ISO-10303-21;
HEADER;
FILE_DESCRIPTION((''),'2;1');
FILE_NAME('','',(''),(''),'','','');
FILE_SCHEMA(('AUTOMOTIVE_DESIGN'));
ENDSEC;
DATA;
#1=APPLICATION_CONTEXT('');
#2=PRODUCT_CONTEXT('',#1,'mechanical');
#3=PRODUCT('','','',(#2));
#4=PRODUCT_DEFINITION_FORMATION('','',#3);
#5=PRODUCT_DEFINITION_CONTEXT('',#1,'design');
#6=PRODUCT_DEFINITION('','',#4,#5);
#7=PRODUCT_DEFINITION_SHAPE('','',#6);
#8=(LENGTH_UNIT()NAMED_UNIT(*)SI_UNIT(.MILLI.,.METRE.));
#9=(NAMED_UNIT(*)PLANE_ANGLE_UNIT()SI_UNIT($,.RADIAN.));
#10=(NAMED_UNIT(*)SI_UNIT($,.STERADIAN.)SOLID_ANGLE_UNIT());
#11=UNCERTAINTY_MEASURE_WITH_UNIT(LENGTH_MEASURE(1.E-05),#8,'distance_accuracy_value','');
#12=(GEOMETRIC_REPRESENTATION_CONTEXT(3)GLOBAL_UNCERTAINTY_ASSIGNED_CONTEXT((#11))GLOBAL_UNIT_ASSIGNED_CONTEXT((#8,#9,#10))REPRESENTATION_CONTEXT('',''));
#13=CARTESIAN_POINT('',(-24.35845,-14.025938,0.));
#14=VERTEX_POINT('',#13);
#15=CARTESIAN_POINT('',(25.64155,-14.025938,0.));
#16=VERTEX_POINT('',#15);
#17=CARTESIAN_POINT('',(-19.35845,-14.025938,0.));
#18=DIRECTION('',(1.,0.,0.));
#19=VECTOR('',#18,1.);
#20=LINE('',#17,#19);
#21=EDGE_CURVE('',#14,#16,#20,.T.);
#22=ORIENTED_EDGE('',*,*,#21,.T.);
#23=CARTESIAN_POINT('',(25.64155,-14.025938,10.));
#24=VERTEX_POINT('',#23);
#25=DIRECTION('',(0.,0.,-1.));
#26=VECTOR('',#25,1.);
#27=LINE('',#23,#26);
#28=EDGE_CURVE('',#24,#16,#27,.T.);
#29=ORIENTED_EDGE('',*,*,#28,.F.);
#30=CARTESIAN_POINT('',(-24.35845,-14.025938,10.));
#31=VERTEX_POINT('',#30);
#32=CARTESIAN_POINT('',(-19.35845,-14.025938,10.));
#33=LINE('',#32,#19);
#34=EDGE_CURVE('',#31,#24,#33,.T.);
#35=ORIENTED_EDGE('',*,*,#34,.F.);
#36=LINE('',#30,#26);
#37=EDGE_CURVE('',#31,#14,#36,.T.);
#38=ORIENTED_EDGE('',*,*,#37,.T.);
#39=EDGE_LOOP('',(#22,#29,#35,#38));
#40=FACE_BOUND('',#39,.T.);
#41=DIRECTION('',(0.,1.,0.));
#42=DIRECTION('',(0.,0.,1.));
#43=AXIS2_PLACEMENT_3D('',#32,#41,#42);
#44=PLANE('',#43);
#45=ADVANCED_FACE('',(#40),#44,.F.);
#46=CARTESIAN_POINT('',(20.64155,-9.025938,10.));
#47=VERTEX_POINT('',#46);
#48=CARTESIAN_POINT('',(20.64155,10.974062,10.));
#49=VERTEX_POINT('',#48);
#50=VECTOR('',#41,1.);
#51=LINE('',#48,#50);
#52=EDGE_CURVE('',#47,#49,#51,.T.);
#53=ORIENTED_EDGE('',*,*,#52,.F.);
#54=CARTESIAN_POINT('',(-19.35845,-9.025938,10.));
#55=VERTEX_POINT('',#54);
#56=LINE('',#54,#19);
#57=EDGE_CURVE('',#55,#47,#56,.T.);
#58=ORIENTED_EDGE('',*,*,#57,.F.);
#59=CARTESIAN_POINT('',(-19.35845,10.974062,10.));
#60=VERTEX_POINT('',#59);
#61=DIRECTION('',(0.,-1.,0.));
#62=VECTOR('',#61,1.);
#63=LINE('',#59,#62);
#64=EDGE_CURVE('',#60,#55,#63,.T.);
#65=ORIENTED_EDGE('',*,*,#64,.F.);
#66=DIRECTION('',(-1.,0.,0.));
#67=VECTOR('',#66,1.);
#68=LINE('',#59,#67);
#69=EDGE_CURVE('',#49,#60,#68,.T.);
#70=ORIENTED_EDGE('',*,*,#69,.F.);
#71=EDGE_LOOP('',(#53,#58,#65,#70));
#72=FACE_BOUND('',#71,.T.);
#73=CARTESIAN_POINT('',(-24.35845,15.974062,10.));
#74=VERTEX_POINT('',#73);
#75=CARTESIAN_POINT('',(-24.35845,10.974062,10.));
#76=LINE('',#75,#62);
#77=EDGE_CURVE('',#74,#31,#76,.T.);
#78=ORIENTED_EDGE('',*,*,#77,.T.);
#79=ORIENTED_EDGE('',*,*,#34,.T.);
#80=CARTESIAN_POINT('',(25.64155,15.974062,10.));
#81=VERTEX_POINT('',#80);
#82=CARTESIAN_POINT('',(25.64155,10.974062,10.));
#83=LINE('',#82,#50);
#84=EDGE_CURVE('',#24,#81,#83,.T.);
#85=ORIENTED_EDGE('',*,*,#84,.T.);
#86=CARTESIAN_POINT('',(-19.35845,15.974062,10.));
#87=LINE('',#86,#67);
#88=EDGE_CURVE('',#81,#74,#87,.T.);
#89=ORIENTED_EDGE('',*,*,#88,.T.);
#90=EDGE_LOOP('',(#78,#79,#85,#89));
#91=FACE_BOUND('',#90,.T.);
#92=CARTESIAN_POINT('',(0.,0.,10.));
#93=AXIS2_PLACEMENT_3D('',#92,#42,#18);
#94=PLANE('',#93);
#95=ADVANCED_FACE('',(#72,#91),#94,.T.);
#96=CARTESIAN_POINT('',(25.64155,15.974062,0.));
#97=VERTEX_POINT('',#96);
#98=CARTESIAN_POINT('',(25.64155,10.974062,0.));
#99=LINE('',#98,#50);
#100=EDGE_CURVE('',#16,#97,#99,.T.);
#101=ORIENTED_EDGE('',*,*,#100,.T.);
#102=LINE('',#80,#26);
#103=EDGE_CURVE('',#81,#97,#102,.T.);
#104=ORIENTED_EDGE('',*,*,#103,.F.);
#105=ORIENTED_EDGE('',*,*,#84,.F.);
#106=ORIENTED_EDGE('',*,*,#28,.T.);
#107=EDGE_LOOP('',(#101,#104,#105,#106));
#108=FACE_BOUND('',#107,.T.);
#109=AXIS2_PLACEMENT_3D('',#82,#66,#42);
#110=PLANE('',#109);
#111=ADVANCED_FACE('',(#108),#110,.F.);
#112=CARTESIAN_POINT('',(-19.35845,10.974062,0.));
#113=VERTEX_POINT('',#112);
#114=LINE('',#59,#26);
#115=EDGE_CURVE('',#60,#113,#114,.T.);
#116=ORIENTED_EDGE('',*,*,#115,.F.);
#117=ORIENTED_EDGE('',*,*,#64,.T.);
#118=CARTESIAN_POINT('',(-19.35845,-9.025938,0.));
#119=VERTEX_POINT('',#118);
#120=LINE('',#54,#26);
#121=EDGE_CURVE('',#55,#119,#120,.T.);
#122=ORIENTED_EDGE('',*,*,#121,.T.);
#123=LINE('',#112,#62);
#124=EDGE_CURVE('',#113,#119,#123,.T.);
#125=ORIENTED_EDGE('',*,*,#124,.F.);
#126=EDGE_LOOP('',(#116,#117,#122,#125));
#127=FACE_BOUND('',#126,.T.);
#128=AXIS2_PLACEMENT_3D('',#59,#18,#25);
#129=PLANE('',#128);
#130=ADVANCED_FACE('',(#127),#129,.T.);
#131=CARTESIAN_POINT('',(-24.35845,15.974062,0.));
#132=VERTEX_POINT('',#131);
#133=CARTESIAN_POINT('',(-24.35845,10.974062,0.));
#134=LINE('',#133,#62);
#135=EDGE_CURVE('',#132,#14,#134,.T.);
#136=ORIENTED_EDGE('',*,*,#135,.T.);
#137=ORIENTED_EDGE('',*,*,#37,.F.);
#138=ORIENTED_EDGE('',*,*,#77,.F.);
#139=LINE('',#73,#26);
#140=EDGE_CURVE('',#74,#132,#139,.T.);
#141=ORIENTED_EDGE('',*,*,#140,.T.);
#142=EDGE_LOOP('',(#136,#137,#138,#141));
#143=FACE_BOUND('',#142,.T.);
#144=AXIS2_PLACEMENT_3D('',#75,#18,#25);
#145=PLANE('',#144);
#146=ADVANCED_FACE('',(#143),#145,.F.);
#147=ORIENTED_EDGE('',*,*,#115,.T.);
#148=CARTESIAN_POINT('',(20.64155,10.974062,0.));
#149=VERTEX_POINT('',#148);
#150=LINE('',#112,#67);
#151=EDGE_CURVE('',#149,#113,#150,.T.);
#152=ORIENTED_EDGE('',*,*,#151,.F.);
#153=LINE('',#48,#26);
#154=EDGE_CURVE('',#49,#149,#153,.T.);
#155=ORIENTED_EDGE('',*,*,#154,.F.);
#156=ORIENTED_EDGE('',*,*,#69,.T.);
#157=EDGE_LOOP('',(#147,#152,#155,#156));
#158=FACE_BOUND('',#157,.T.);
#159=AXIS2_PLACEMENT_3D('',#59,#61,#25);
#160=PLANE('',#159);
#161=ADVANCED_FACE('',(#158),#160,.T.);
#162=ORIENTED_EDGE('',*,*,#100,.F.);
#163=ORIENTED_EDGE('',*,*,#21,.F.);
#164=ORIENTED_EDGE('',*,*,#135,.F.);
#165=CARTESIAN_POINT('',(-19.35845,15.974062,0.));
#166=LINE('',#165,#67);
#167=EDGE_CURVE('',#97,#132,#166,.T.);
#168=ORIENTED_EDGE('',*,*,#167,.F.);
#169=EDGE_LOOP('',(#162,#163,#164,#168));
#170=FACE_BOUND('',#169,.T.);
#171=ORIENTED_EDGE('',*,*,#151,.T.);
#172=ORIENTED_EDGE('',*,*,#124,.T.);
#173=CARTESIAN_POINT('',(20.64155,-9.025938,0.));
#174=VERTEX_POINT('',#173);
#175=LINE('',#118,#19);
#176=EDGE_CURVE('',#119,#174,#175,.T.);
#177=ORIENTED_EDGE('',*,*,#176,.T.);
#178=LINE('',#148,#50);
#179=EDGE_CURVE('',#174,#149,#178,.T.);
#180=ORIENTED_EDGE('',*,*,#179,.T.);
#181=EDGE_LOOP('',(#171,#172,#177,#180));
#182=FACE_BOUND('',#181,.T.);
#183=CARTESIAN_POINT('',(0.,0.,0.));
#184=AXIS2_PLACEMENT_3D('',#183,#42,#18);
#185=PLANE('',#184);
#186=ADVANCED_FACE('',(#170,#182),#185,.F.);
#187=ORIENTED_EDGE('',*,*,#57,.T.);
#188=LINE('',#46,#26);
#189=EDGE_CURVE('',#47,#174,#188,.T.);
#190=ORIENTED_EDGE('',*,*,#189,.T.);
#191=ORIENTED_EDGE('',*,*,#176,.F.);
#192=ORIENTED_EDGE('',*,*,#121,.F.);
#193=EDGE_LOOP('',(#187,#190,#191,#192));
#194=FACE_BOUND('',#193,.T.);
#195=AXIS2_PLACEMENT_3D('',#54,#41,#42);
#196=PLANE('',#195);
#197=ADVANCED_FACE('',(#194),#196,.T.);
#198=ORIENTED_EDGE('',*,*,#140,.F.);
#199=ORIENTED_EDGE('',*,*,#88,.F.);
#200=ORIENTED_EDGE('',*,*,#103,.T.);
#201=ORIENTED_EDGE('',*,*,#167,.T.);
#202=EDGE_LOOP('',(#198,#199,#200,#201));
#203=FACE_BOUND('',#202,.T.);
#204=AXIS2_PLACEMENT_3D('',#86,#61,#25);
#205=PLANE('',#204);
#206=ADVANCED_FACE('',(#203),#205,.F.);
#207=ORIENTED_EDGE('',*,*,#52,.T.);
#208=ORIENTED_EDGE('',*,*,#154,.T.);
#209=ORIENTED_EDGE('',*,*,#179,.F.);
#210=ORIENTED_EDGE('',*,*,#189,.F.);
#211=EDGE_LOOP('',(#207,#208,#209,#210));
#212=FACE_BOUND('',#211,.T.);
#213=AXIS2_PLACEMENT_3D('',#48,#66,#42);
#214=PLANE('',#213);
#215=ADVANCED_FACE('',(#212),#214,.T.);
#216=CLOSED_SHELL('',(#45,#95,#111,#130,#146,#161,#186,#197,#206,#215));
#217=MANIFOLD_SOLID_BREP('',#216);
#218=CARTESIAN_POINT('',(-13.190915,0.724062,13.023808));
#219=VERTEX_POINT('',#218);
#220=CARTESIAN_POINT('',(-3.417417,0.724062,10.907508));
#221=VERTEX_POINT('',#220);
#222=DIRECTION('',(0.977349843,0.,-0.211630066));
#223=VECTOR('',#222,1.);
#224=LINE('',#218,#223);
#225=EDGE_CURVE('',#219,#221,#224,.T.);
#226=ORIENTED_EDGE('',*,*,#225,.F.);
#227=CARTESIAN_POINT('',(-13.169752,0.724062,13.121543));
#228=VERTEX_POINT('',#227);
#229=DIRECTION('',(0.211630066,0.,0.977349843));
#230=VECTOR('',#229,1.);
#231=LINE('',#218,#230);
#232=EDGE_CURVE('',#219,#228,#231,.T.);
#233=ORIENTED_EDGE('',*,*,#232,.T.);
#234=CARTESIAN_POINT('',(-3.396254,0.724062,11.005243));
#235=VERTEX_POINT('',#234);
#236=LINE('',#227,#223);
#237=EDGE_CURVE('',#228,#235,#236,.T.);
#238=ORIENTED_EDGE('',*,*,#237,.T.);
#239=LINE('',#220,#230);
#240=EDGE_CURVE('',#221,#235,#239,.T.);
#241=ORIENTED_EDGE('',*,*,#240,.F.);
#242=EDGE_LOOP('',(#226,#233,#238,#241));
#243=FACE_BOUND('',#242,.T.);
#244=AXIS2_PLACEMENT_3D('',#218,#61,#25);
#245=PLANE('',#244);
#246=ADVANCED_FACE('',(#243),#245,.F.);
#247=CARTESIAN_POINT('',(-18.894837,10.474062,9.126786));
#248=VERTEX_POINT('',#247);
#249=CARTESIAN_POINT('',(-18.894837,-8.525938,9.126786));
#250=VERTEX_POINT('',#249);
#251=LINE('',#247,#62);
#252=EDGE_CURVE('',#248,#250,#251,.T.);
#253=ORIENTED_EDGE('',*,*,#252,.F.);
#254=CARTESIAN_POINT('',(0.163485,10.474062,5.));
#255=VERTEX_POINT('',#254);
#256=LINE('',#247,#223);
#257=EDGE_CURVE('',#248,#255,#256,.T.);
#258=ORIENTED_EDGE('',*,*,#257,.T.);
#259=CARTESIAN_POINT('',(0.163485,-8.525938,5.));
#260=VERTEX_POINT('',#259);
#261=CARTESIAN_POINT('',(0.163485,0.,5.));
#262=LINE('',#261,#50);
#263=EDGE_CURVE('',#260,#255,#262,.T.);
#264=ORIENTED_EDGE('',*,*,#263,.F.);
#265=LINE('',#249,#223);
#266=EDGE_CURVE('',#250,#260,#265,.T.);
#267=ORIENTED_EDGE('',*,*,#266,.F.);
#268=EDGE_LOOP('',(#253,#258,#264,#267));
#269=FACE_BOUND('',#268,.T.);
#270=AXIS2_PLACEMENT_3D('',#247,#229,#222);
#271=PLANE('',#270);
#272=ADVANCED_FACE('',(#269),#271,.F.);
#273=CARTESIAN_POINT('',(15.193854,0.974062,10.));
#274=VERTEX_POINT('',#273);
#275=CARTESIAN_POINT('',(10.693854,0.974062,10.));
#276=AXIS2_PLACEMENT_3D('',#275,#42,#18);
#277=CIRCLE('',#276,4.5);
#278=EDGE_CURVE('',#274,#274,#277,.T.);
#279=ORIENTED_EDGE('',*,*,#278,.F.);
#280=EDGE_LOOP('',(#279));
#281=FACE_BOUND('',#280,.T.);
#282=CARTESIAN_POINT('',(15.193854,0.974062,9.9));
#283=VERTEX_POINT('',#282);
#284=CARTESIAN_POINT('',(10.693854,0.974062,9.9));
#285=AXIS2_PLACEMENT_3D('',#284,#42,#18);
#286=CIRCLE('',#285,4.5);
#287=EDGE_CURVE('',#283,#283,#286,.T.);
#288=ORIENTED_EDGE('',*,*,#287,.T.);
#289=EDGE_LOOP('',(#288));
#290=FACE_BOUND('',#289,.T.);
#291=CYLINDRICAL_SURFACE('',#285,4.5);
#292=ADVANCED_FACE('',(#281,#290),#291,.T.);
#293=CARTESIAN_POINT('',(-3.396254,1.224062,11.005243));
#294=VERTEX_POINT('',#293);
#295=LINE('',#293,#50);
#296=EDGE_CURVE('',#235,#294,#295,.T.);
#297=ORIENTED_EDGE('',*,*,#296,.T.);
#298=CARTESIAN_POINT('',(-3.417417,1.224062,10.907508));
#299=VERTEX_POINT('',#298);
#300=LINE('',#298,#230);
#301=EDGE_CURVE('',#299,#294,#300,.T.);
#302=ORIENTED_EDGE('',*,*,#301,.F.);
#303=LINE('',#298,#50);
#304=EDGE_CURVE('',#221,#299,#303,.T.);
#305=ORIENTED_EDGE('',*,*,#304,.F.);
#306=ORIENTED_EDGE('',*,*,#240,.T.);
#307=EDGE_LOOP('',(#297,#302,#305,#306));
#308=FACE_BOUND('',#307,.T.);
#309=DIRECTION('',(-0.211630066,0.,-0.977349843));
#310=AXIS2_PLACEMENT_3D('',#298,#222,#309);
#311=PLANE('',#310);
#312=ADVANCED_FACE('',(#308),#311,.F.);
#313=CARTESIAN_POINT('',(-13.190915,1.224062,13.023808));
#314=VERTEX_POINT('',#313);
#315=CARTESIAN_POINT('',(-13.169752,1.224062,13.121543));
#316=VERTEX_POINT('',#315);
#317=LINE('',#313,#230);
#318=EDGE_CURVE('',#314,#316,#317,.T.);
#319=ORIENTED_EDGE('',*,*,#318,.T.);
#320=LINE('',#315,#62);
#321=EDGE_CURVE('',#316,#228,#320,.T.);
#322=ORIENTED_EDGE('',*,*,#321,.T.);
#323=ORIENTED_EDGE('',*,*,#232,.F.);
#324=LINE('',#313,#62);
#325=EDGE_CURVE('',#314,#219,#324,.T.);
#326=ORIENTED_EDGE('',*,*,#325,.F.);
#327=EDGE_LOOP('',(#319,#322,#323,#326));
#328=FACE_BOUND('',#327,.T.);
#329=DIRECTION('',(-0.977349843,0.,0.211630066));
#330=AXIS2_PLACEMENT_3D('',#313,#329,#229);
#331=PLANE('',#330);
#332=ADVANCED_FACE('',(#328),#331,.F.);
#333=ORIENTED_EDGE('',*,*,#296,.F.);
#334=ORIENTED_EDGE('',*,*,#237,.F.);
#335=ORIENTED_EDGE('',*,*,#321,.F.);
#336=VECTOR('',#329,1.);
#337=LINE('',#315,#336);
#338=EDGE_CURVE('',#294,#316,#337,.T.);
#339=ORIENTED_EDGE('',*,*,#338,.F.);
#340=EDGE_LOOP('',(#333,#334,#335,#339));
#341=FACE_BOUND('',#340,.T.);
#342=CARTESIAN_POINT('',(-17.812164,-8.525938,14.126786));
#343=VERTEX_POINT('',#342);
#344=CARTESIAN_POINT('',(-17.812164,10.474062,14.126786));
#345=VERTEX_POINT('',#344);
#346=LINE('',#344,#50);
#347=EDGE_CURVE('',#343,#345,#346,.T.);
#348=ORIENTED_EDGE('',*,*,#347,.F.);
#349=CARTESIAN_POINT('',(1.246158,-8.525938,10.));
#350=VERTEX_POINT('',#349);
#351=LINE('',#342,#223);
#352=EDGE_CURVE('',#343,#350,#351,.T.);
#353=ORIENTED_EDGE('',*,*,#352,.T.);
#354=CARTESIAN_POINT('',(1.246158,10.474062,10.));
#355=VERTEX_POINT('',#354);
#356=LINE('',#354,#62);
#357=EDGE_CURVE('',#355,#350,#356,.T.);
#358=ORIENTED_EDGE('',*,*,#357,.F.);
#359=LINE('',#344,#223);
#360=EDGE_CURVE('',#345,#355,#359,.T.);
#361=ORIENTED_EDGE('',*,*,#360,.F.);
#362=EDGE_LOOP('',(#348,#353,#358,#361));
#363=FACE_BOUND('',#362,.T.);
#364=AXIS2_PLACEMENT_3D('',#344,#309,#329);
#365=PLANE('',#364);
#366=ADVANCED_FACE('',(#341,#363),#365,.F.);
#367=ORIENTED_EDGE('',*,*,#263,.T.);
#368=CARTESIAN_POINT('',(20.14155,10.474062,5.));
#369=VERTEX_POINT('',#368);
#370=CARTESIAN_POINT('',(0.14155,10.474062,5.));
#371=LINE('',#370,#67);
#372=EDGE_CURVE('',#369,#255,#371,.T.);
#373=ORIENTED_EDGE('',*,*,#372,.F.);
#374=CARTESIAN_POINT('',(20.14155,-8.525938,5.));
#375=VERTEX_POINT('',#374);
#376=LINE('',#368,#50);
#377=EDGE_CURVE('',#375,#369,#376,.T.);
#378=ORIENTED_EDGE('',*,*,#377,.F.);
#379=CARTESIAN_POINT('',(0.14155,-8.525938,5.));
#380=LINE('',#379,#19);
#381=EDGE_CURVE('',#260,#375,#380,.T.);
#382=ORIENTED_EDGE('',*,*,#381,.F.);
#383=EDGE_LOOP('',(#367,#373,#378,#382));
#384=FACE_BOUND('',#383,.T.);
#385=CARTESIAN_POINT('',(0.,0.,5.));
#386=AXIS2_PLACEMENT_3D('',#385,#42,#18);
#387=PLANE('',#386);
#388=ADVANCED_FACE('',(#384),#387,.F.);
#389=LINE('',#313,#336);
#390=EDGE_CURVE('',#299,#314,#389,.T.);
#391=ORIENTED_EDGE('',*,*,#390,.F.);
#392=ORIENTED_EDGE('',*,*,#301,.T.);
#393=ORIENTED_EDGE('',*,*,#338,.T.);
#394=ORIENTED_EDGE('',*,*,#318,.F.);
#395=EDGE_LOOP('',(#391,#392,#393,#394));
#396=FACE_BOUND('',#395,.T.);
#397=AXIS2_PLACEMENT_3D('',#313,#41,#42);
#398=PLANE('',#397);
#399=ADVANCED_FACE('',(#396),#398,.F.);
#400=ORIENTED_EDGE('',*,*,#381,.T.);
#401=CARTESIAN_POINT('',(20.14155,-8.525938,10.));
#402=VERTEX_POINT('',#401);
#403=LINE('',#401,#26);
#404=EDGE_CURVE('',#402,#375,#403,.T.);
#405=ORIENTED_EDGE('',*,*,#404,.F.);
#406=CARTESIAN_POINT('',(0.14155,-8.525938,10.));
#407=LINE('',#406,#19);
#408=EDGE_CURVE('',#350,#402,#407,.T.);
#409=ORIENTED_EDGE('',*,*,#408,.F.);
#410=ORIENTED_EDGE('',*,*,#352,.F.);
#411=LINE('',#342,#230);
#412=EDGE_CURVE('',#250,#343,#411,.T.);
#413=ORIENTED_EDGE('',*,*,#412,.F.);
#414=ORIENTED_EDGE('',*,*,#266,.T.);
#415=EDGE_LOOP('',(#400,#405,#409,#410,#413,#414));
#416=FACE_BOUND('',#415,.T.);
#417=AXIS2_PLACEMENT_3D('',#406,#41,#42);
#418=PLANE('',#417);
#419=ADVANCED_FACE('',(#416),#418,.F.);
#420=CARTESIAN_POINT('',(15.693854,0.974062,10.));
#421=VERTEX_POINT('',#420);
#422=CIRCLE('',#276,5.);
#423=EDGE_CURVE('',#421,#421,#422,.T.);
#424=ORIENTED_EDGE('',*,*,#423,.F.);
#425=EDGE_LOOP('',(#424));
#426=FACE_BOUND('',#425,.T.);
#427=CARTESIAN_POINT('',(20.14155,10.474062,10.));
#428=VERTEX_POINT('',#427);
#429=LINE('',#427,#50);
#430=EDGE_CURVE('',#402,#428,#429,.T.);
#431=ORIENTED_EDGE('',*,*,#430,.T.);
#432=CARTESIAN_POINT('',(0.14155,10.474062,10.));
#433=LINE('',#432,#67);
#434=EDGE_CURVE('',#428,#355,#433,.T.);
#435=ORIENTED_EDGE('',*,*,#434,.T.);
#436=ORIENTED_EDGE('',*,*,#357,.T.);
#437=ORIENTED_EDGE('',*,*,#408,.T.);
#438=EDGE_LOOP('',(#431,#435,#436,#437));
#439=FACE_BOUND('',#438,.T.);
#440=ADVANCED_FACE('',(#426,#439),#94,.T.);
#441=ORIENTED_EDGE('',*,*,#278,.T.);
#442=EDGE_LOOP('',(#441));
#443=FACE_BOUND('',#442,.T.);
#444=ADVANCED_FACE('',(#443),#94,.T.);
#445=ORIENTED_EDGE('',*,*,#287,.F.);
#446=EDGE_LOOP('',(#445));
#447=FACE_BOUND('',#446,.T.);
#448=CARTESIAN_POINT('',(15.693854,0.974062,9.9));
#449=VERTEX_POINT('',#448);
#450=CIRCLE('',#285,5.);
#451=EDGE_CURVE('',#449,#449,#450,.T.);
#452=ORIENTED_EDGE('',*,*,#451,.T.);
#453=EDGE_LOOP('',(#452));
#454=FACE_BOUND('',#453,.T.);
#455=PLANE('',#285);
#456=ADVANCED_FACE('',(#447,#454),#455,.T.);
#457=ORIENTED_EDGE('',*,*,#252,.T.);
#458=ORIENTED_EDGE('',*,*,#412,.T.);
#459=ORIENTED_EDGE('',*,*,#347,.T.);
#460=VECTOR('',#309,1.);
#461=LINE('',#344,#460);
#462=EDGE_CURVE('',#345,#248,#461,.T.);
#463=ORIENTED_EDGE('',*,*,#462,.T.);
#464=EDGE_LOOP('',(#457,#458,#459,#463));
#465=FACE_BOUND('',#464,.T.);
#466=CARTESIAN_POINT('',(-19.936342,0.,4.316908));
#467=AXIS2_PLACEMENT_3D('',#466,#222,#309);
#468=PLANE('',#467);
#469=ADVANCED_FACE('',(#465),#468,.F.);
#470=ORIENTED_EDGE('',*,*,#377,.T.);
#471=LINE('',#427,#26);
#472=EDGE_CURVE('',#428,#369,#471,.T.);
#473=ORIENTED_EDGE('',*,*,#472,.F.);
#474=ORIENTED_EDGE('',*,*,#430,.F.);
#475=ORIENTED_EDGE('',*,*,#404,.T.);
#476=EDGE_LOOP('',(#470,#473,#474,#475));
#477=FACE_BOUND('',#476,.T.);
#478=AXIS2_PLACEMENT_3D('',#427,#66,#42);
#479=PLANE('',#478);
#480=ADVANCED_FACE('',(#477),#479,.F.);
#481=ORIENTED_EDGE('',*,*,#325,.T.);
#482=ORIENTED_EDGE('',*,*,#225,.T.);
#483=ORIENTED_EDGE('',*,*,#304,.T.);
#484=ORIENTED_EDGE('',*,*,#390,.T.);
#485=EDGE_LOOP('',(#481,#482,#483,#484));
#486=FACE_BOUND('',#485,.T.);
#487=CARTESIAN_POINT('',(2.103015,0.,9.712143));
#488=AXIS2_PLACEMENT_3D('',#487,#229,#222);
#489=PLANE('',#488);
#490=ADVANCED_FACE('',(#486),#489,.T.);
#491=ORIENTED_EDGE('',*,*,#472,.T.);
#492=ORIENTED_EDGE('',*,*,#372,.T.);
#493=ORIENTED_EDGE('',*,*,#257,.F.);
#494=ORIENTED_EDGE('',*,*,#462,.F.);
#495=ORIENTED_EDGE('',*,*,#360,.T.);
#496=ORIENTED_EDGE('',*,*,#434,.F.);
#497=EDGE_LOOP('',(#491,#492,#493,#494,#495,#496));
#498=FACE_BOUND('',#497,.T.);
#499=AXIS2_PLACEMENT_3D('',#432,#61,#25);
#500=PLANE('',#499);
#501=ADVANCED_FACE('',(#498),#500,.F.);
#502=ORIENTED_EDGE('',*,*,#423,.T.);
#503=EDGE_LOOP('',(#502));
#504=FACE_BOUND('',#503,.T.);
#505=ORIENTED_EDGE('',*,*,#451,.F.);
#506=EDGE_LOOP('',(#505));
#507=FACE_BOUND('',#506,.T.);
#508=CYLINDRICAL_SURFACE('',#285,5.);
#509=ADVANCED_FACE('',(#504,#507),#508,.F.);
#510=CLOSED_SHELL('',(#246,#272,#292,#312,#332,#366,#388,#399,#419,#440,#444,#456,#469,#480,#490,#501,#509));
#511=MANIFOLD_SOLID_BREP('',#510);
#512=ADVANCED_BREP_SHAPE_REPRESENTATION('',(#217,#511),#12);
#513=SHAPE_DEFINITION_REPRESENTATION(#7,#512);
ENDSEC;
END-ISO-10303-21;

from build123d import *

# Parameters (mm, degrees)
SKETCH1_W           = 50
SKETCH1_H           = 30
SKETCH1_W_2         = 40
SKETCH1_H_2         = 20
EXTRUDE_THIN2_DEPTH = 10
SKETCH2_W           = 20
SKETCH2_H           = 19
BOSS_EXTRUDE1_DEPTH = 5
CUT_EXTRUDE1_DEPTH  = 19
SKETCH6_W           = 5.115875382
SKETCH6_H           = 19
BOSS_EXTRUDE2_DEPTH = 19.5
SKETCH7_R           = 5
SKETCH7_R_2         = 4.5
CUT_EXTRUDE3_DEPTH  = 0.1
SKETCH9_W           = 10
SKETCH9_H           = 0.5
CUT_EXTRUDE4_DEPTH  = 0.1


with BuildPart() as part:
    # Sketch1 → Extrude-Thin2 (new body)
    with BuildSketch(Plane.XY):
        with Locations((0.641550344, 0.974061664)):
            Rectangle(SKETCH1_W, SKETCH1_H)
        with Locations((0.641550344, 0.974061664)):
            Rectangle(SKETCH1_W_2, SKETCH1_H_2, mode=Mode.SUBTRACT)
    extrude(amount=EXTRUDE_THIN2_DEPTH)


with BuildPart() as body_2:
    # Sketch2 → Boss-Extrude1 (new body)
    with BuildSketch(Plane.XY.offset(5)):
        with Locations((10.141550344, 0.974061664)):
            Rectangle(SKETCH2_W, SKETCH2_H)
    extrude(amount=BOSS_EXTRUDE1_DEPTH)

    # Sketch3 → Cut-Extrude1 (cut)
    with BuildSketch(Plane.XZ.offset(8.525938336)):
        Polygon((0.141550344, 4.898701044), (1.246158119, 10), (0.141550344, 10), align=None)
    extrude(amount=-CUT_EXTRUDE1_DEPTH, mode=Mode.SUBTRACT)

    # Sketch6 → Boss-Extrude2 (add)
    with BuildSketch(Plane(origin=(-0.878020037, 0, 0.190121725), x_dir=(0.21163006596186237, 0, 0.9773498427794307), z_dir=(-0.9773498427794306, 0, 0.21163006596186235))):
        with Locations((7.479285262, 0.974061664)):
            Rectangle(SKETCH6_W, SKETCH6_H)
    extrude(amount=BOSS_EXTRUDE2_DEPTH)

    # Sketch7 → Cut-Extrude3 (cut)
    with BuildSketch(Plane.XY.offset(10)):
        with Locations((10.693854232, 0.974061664)):
            Circle(SKETCH7_R)
        with Locations((10.693854232, 0.974061664)):
            Circle(SKETCH7_R_2, mode=Mode.SUBTRACT)
    extrude(amount=-CUT_EXTRUDE3_DEPTH, mode=Mode.SUBTRACT)

    # Sketch9 → Cut-Extrude4 (cut)
    with BuildSketch(Plane(origin=(2.124178156, 0, 9.809878275), x_dir=(0.9773498427794307, 0, -0.21163006596186243), z_dir=(0.21163006596186243, 0, 0.9773498427794307))):
        with Locations((-10.648368218, 0.974061664)):
            Rectangle(SKETCH9_W, SKETCH9_H)
    extrude(amount=-CUT_EXTRUDE4_DEPTH, mode=Mode.SUBTRACT)


solid = Compound([part.part, body_2.part])
